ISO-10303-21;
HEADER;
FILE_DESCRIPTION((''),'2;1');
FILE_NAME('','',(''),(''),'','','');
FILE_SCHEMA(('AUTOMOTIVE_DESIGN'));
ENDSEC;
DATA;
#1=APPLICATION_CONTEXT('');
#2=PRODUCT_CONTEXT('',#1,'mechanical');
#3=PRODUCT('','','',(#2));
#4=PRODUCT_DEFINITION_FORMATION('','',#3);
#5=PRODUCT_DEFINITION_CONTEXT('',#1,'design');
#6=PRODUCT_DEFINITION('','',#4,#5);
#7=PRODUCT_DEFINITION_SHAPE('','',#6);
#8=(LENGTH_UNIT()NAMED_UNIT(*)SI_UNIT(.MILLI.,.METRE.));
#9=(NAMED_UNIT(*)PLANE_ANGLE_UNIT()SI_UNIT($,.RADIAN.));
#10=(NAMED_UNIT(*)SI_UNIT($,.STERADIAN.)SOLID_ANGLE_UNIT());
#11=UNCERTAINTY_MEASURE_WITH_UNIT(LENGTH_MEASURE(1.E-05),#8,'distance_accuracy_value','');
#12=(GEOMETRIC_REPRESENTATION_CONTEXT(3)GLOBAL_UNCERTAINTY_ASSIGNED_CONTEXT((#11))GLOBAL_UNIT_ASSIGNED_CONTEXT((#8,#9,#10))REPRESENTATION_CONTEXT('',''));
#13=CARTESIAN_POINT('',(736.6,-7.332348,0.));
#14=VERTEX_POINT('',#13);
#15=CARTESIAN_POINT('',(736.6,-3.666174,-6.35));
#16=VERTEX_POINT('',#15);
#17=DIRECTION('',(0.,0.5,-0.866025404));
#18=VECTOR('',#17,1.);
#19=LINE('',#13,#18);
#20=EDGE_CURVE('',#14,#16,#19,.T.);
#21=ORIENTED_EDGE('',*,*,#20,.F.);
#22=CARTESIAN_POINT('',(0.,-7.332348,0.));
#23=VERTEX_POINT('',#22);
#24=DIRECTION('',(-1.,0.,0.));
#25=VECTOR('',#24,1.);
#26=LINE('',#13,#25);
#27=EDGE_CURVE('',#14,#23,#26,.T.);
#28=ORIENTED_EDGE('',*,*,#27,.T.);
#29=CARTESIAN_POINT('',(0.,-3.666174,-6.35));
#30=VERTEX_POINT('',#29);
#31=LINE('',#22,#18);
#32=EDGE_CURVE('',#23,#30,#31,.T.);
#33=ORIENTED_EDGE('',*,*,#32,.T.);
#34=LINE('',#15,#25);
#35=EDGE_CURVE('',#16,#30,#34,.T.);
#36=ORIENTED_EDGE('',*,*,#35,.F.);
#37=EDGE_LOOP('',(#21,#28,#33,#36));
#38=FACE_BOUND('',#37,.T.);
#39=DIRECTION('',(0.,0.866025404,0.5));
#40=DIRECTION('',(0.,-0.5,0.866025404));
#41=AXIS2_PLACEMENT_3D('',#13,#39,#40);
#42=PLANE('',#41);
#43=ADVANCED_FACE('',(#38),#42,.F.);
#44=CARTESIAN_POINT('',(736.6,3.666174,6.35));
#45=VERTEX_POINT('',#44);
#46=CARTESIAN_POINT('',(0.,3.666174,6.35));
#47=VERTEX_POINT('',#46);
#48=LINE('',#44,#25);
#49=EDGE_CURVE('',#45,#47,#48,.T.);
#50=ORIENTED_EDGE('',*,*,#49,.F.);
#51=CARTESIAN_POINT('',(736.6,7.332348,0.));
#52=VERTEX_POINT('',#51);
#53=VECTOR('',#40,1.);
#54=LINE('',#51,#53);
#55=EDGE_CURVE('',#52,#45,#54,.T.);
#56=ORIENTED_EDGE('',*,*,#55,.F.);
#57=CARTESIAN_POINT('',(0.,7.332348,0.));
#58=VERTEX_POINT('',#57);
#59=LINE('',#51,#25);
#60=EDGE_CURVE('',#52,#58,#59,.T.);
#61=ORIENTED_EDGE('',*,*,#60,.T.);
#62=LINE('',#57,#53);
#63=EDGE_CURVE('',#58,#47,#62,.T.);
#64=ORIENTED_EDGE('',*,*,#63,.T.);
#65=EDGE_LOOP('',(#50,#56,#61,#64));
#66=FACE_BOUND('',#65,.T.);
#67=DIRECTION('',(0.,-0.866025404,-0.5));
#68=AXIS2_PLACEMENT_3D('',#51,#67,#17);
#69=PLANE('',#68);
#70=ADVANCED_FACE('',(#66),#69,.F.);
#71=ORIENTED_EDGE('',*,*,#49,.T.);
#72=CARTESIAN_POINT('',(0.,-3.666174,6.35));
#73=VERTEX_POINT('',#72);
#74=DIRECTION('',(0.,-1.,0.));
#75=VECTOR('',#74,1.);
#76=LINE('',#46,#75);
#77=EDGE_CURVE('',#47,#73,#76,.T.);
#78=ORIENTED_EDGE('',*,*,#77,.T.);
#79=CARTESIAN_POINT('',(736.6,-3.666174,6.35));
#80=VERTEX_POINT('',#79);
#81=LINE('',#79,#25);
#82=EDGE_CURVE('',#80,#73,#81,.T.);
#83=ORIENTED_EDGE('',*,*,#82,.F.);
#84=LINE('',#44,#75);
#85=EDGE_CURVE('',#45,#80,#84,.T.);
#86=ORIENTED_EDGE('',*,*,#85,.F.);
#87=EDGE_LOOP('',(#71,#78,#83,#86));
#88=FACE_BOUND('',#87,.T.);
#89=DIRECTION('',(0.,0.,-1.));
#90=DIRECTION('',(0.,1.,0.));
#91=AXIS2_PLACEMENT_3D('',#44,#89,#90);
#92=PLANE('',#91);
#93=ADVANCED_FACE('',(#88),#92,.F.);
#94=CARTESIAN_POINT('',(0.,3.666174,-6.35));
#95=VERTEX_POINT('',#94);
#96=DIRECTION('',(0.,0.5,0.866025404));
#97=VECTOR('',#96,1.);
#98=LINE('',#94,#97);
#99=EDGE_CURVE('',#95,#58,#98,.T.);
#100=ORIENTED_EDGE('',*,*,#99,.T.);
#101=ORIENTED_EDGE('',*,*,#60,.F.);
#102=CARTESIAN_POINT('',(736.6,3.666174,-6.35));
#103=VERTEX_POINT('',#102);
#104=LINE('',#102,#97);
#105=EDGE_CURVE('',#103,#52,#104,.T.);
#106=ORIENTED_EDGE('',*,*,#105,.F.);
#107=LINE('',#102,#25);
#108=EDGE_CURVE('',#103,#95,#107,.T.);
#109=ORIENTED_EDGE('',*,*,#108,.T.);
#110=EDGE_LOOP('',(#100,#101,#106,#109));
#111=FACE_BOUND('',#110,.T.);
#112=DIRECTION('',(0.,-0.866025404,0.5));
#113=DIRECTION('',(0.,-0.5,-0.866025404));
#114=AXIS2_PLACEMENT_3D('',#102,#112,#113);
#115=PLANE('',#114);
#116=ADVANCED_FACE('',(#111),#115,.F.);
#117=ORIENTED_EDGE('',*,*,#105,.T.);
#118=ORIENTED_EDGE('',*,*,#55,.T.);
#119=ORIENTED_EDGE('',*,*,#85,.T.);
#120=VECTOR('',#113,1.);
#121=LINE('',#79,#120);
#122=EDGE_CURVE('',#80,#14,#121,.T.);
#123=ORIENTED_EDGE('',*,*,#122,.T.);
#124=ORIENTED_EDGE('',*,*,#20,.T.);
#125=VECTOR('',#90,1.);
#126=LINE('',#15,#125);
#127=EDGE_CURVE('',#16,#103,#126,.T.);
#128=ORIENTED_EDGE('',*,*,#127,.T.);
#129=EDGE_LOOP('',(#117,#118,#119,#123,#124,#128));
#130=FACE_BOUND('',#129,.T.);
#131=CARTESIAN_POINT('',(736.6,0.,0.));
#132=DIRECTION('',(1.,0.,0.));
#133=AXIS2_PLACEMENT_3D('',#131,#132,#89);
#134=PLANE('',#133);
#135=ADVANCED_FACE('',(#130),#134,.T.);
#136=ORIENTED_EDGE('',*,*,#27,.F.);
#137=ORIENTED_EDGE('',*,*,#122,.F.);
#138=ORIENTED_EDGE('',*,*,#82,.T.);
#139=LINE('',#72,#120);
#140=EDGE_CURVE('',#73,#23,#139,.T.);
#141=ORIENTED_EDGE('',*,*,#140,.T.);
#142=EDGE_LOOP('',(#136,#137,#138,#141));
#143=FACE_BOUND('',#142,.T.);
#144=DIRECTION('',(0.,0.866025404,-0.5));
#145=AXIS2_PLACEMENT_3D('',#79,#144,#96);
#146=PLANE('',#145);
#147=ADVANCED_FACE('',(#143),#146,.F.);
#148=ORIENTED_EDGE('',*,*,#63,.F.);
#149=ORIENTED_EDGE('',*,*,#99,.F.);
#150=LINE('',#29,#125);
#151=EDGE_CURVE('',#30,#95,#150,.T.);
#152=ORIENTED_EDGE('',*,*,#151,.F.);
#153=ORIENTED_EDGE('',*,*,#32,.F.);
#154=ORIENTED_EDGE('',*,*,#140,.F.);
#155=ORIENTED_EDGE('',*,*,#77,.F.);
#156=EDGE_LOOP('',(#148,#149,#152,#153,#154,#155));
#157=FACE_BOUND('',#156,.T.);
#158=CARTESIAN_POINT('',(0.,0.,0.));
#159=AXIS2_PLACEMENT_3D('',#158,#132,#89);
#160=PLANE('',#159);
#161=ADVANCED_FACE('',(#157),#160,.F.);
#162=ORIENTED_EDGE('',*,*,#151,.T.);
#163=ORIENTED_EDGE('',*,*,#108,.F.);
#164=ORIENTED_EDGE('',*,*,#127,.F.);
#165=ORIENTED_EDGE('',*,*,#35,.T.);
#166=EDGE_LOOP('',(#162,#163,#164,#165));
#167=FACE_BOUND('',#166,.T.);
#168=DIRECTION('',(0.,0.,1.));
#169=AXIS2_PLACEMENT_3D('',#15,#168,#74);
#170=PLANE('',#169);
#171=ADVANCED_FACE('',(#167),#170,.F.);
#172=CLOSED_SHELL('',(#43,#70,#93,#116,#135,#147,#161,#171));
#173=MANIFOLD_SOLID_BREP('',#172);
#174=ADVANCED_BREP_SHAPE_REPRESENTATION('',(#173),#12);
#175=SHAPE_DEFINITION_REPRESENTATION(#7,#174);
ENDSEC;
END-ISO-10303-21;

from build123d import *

# Parameters (mm, degrees)
BOSS_EXTRUDE1_DEPTH = 736.6


with BuildPart() as part:
    # Sketch1 → Boss-Extrude1 (new body)
    with BuildSketch(Plane(origin=(0, 0, 0), x_dir=(0, 0, -1), z_dir=(1, 0, 0))):
        Polygon((0, 7.332348419), (-6.35, 3.666174209), (-6.35, -3.666174209), (0, -7.332348419), (6.35, -3.666174209), (6.35, 3.666174209), align=None)
    extrude(amount=BOSS_EXTRUDE1_DEPTH)


solid = part.part
